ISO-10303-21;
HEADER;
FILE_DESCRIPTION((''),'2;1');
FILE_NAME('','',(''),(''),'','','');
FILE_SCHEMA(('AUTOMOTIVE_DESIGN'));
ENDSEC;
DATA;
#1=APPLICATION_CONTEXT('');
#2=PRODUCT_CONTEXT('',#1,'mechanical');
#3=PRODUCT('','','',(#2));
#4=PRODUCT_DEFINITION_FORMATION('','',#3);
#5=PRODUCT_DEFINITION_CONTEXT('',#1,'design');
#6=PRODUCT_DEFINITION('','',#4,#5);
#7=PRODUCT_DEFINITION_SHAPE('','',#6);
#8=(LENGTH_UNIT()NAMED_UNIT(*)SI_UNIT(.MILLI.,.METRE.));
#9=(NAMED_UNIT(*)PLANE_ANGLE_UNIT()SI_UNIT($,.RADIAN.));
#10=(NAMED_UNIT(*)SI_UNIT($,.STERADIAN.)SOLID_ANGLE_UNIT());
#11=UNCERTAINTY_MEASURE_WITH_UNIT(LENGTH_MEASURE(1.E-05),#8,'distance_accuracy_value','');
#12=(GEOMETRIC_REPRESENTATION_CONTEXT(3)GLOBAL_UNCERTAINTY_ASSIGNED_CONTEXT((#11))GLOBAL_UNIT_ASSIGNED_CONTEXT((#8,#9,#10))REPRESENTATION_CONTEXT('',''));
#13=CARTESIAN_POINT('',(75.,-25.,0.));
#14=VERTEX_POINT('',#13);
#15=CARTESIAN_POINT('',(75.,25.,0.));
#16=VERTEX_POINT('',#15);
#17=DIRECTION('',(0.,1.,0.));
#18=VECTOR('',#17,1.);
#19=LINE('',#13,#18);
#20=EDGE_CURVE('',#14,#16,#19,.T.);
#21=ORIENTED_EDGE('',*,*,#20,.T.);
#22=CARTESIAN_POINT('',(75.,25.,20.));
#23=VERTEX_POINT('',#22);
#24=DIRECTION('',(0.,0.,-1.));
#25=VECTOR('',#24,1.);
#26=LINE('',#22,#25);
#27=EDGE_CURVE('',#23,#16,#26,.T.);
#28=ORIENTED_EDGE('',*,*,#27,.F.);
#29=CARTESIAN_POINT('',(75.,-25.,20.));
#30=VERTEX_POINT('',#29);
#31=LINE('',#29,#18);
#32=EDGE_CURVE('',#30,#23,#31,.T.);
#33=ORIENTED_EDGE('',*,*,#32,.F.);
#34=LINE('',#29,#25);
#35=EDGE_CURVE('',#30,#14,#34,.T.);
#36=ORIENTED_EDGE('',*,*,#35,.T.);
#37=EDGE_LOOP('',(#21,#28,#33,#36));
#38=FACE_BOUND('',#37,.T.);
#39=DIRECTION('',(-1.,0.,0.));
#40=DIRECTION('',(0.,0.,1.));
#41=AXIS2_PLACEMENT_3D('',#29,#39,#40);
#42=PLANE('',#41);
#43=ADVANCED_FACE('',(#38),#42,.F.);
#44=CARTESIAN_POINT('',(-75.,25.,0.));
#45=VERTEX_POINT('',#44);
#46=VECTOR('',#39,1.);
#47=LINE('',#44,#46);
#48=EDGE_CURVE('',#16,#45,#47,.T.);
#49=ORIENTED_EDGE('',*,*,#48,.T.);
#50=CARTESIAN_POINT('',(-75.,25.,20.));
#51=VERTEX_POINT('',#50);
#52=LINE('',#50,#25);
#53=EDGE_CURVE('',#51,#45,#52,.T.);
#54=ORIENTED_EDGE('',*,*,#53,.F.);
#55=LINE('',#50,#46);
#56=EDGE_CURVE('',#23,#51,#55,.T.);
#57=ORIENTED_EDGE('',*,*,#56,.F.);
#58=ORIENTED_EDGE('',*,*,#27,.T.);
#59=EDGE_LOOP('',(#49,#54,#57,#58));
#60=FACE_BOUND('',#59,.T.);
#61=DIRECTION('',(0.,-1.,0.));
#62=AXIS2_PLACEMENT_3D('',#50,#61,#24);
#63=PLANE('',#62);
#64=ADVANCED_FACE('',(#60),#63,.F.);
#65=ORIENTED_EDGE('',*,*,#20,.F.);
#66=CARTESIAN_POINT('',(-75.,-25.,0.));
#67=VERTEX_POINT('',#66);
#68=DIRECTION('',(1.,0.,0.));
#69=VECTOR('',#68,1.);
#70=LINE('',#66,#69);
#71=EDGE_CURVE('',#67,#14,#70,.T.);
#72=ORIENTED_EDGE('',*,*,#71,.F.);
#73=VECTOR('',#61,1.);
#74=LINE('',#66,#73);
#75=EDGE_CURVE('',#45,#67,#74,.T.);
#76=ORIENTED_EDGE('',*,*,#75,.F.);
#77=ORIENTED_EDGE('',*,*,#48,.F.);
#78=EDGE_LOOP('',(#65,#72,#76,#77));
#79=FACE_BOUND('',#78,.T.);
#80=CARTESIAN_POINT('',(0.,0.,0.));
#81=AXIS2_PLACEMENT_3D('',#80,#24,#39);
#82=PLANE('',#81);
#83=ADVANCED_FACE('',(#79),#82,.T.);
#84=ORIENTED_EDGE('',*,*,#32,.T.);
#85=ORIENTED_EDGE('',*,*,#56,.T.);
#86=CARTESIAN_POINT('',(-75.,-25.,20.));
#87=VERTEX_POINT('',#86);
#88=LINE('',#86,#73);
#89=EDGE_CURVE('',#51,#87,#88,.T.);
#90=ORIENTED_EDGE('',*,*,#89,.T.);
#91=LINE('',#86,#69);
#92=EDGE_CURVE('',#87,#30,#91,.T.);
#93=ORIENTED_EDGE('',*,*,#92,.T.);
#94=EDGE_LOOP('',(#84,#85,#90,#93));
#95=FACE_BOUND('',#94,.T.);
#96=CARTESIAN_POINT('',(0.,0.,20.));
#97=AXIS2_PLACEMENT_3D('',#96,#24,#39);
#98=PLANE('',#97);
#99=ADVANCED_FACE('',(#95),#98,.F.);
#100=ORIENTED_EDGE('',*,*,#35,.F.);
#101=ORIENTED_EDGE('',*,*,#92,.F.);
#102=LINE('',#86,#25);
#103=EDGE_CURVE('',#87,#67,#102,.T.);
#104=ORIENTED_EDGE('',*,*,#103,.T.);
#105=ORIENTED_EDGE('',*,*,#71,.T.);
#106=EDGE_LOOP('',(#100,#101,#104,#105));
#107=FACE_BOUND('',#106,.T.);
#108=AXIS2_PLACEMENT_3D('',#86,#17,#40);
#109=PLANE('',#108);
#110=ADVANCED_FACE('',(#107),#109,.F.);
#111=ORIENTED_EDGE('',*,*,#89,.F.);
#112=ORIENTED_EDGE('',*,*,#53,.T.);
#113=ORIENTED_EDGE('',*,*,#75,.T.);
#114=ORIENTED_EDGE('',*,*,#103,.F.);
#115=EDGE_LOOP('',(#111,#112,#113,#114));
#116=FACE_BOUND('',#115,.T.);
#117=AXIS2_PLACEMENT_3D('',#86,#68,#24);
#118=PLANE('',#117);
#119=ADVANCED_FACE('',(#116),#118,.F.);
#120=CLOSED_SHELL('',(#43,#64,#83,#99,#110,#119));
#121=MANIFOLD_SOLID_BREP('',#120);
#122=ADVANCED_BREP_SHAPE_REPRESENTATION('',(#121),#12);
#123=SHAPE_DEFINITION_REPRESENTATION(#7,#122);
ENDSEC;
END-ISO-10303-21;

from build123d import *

# Parameters (mm, degrees)
SKETCH_1_W      = 150
SKETCH_1_H      = 50
EXTRUDE_1_DEPTH = 20


with BuildPart() as part:
    # 草图1 → 凸台-拉伸1 (new body)
    with BuildSketch(Plane.XY):
        Rectangle(SKETCH_1_W, SKETCH_1_H)
    extrude(amount=EXTRUDE_1_DEPTH)


solid = part.part
